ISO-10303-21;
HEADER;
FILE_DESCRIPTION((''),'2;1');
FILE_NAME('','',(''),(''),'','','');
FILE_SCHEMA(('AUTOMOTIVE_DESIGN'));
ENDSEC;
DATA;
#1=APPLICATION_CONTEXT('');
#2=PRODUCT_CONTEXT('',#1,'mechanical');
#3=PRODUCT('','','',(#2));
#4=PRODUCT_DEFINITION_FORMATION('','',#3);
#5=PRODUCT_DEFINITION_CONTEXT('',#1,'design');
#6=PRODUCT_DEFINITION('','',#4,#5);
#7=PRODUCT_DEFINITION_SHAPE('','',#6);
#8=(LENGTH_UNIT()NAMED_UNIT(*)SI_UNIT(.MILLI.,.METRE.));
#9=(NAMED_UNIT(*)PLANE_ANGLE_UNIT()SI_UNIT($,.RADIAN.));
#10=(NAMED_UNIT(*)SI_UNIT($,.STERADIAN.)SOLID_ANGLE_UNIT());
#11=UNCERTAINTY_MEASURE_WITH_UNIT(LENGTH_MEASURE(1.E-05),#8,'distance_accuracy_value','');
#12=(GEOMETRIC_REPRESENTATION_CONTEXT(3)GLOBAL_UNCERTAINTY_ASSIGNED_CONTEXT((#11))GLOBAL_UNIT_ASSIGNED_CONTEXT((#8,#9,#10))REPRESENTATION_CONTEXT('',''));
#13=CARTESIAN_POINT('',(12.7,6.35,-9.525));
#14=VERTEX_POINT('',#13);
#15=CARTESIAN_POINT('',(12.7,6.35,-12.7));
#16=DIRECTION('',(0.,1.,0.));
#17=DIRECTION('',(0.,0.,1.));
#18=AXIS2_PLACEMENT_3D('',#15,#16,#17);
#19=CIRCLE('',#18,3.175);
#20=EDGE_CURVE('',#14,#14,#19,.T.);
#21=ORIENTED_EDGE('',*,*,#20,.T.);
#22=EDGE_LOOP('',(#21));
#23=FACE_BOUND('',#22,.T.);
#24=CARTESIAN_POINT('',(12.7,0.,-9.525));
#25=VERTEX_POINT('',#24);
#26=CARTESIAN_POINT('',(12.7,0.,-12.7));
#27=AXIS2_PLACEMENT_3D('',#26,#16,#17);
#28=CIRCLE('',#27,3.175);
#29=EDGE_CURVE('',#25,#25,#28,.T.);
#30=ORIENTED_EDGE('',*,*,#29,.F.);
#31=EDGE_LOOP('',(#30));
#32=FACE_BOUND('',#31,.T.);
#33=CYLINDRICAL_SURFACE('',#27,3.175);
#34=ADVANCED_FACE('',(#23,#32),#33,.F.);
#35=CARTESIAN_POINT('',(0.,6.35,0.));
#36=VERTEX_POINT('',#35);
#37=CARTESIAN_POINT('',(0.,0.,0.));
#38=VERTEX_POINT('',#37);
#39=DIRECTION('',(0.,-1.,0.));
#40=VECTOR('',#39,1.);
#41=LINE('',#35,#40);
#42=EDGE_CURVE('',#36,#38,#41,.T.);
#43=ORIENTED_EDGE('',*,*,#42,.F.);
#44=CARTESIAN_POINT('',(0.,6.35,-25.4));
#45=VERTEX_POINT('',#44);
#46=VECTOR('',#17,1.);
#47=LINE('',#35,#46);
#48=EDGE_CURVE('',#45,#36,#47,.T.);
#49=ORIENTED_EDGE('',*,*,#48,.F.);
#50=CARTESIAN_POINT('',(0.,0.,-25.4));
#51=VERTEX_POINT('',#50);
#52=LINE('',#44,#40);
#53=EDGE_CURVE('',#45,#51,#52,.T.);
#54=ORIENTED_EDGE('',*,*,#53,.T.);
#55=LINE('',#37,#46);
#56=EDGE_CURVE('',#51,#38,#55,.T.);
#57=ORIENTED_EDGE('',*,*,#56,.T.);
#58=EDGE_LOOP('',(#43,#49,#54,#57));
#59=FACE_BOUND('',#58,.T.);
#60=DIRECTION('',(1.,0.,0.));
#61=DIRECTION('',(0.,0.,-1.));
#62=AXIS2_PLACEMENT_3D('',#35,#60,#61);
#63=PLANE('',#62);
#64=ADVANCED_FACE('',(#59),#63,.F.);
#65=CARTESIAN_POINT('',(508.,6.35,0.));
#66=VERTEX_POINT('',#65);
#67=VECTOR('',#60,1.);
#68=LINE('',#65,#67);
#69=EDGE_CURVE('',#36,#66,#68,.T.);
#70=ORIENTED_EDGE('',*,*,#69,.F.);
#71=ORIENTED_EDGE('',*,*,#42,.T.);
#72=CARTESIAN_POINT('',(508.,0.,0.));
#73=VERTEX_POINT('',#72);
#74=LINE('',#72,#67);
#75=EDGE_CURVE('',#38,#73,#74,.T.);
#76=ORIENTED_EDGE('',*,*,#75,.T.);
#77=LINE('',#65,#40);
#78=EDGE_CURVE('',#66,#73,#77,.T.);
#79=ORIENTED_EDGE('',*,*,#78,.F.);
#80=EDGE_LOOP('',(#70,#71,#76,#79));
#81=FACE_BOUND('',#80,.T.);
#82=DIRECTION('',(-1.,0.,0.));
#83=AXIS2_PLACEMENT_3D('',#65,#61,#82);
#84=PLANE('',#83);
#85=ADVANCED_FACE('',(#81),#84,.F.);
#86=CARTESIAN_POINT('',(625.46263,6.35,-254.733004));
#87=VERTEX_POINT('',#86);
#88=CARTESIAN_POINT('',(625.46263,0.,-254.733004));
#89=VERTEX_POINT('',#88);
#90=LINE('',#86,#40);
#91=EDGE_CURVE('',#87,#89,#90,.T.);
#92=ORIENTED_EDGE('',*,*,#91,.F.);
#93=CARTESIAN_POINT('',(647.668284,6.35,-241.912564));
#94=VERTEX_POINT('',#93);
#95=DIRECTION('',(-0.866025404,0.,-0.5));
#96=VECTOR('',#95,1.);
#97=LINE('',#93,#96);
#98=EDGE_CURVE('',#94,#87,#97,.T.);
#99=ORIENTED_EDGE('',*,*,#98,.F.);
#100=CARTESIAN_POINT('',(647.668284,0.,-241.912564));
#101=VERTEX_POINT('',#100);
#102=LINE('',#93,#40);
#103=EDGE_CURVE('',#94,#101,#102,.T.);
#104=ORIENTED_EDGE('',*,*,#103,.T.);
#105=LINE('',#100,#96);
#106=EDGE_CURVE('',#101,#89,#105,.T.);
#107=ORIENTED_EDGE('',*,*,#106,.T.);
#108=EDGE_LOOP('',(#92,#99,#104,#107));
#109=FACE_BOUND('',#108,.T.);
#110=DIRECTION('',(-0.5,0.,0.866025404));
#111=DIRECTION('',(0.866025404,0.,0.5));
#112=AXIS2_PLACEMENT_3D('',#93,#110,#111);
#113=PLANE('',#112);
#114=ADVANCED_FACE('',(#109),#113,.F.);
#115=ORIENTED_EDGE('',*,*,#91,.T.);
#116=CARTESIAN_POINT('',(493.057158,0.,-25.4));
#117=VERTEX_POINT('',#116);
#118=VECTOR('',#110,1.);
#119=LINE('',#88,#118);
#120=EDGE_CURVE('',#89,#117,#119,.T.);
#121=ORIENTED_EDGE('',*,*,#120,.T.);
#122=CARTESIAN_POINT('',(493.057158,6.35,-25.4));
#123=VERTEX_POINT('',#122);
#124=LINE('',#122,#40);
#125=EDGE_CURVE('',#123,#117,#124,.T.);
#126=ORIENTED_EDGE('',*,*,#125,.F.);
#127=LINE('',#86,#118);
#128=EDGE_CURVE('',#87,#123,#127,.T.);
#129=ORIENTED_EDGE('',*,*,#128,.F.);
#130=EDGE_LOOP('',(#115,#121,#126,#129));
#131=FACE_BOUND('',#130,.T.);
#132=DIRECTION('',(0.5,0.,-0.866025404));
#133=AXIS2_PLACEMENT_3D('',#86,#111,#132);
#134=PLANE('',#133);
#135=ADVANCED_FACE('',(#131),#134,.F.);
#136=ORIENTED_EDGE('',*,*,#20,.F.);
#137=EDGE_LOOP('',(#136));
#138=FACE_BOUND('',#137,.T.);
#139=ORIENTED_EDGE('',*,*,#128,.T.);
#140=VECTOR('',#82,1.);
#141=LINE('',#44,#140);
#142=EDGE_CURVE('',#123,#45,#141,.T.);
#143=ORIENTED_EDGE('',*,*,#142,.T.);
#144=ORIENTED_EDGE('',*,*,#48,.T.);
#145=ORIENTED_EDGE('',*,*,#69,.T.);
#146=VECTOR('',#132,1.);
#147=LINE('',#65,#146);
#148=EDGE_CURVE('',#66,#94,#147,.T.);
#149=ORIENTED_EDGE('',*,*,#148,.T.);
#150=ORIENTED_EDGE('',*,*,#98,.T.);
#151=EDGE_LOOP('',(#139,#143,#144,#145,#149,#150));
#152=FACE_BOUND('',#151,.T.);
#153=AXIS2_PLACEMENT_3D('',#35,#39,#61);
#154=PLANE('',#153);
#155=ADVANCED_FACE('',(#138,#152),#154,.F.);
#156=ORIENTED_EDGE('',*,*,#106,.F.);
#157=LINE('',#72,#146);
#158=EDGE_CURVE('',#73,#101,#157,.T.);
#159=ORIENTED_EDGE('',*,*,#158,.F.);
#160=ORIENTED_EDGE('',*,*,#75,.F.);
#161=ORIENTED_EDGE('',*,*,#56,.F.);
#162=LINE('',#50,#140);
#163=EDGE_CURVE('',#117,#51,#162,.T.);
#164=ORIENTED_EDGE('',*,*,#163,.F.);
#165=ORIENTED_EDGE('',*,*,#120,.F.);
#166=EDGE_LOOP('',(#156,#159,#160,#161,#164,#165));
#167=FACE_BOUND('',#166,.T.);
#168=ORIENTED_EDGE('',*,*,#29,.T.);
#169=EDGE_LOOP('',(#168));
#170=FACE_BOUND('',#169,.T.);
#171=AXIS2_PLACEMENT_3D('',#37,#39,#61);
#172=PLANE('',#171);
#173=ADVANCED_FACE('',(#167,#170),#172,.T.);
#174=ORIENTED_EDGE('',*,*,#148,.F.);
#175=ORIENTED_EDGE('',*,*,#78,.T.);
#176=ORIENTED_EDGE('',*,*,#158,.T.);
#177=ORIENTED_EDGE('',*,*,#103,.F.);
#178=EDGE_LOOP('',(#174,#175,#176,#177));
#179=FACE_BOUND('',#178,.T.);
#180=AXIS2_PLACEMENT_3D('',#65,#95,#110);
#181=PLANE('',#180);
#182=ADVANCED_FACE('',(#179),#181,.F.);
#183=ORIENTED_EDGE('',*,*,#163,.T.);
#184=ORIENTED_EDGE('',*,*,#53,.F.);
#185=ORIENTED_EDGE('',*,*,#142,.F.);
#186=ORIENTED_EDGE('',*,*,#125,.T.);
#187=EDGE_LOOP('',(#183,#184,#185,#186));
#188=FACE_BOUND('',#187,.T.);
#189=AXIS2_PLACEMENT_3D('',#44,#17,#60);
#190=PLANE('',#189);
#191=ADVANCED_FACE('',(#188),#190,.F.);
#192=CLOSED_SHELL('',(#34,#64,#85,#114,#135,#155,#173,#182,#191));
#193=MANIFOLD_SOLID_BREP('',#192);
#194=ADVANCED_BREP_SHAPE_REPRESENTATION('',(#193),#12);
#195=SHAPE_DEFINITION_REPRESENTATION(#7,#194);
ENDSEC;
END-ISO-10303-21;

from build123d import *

# Parameters (mm, degrees)
BOSS_EXTRUDE1_DEPTH = 6.35
SKETCH2_R           = 3.175
CUT_EXTRUDE1_DEPTH  = 6.35


with BuildPart() as part:
    # Sketch1 → Boss-Extrude1 (new body)
    with BuildSketch(Plane(origin=(0, 0, 0), x_dir=(1, 0, 0), z_dir=(0, 1, 0))):
        Polygon((508, 0), (647.668283709, 241.91256359), (625.46262992, 254.733003782), (493.057158453, 25.4), (0, 25.4), (0, 0), align=None)
    extrude(amount=BOSS_EXTRUDE1_DEPTH)

    # Sketch2 → Cut-Extrude1 (cut)
    with BuildSketch(Plane(origin=(0, 6.35, 0), x_dir=(1, 0, 0), z_dir=(0, 1, 0))):
        with Locations(Location((12.7, 12.7, 0), (0, 0, 270))):
            Circle(SKETCH2_R)
    extrude(amount=-CUT_EXTRUDE1_DEPTH, mode=Mode.SUBTRACT)


solid = part.part
